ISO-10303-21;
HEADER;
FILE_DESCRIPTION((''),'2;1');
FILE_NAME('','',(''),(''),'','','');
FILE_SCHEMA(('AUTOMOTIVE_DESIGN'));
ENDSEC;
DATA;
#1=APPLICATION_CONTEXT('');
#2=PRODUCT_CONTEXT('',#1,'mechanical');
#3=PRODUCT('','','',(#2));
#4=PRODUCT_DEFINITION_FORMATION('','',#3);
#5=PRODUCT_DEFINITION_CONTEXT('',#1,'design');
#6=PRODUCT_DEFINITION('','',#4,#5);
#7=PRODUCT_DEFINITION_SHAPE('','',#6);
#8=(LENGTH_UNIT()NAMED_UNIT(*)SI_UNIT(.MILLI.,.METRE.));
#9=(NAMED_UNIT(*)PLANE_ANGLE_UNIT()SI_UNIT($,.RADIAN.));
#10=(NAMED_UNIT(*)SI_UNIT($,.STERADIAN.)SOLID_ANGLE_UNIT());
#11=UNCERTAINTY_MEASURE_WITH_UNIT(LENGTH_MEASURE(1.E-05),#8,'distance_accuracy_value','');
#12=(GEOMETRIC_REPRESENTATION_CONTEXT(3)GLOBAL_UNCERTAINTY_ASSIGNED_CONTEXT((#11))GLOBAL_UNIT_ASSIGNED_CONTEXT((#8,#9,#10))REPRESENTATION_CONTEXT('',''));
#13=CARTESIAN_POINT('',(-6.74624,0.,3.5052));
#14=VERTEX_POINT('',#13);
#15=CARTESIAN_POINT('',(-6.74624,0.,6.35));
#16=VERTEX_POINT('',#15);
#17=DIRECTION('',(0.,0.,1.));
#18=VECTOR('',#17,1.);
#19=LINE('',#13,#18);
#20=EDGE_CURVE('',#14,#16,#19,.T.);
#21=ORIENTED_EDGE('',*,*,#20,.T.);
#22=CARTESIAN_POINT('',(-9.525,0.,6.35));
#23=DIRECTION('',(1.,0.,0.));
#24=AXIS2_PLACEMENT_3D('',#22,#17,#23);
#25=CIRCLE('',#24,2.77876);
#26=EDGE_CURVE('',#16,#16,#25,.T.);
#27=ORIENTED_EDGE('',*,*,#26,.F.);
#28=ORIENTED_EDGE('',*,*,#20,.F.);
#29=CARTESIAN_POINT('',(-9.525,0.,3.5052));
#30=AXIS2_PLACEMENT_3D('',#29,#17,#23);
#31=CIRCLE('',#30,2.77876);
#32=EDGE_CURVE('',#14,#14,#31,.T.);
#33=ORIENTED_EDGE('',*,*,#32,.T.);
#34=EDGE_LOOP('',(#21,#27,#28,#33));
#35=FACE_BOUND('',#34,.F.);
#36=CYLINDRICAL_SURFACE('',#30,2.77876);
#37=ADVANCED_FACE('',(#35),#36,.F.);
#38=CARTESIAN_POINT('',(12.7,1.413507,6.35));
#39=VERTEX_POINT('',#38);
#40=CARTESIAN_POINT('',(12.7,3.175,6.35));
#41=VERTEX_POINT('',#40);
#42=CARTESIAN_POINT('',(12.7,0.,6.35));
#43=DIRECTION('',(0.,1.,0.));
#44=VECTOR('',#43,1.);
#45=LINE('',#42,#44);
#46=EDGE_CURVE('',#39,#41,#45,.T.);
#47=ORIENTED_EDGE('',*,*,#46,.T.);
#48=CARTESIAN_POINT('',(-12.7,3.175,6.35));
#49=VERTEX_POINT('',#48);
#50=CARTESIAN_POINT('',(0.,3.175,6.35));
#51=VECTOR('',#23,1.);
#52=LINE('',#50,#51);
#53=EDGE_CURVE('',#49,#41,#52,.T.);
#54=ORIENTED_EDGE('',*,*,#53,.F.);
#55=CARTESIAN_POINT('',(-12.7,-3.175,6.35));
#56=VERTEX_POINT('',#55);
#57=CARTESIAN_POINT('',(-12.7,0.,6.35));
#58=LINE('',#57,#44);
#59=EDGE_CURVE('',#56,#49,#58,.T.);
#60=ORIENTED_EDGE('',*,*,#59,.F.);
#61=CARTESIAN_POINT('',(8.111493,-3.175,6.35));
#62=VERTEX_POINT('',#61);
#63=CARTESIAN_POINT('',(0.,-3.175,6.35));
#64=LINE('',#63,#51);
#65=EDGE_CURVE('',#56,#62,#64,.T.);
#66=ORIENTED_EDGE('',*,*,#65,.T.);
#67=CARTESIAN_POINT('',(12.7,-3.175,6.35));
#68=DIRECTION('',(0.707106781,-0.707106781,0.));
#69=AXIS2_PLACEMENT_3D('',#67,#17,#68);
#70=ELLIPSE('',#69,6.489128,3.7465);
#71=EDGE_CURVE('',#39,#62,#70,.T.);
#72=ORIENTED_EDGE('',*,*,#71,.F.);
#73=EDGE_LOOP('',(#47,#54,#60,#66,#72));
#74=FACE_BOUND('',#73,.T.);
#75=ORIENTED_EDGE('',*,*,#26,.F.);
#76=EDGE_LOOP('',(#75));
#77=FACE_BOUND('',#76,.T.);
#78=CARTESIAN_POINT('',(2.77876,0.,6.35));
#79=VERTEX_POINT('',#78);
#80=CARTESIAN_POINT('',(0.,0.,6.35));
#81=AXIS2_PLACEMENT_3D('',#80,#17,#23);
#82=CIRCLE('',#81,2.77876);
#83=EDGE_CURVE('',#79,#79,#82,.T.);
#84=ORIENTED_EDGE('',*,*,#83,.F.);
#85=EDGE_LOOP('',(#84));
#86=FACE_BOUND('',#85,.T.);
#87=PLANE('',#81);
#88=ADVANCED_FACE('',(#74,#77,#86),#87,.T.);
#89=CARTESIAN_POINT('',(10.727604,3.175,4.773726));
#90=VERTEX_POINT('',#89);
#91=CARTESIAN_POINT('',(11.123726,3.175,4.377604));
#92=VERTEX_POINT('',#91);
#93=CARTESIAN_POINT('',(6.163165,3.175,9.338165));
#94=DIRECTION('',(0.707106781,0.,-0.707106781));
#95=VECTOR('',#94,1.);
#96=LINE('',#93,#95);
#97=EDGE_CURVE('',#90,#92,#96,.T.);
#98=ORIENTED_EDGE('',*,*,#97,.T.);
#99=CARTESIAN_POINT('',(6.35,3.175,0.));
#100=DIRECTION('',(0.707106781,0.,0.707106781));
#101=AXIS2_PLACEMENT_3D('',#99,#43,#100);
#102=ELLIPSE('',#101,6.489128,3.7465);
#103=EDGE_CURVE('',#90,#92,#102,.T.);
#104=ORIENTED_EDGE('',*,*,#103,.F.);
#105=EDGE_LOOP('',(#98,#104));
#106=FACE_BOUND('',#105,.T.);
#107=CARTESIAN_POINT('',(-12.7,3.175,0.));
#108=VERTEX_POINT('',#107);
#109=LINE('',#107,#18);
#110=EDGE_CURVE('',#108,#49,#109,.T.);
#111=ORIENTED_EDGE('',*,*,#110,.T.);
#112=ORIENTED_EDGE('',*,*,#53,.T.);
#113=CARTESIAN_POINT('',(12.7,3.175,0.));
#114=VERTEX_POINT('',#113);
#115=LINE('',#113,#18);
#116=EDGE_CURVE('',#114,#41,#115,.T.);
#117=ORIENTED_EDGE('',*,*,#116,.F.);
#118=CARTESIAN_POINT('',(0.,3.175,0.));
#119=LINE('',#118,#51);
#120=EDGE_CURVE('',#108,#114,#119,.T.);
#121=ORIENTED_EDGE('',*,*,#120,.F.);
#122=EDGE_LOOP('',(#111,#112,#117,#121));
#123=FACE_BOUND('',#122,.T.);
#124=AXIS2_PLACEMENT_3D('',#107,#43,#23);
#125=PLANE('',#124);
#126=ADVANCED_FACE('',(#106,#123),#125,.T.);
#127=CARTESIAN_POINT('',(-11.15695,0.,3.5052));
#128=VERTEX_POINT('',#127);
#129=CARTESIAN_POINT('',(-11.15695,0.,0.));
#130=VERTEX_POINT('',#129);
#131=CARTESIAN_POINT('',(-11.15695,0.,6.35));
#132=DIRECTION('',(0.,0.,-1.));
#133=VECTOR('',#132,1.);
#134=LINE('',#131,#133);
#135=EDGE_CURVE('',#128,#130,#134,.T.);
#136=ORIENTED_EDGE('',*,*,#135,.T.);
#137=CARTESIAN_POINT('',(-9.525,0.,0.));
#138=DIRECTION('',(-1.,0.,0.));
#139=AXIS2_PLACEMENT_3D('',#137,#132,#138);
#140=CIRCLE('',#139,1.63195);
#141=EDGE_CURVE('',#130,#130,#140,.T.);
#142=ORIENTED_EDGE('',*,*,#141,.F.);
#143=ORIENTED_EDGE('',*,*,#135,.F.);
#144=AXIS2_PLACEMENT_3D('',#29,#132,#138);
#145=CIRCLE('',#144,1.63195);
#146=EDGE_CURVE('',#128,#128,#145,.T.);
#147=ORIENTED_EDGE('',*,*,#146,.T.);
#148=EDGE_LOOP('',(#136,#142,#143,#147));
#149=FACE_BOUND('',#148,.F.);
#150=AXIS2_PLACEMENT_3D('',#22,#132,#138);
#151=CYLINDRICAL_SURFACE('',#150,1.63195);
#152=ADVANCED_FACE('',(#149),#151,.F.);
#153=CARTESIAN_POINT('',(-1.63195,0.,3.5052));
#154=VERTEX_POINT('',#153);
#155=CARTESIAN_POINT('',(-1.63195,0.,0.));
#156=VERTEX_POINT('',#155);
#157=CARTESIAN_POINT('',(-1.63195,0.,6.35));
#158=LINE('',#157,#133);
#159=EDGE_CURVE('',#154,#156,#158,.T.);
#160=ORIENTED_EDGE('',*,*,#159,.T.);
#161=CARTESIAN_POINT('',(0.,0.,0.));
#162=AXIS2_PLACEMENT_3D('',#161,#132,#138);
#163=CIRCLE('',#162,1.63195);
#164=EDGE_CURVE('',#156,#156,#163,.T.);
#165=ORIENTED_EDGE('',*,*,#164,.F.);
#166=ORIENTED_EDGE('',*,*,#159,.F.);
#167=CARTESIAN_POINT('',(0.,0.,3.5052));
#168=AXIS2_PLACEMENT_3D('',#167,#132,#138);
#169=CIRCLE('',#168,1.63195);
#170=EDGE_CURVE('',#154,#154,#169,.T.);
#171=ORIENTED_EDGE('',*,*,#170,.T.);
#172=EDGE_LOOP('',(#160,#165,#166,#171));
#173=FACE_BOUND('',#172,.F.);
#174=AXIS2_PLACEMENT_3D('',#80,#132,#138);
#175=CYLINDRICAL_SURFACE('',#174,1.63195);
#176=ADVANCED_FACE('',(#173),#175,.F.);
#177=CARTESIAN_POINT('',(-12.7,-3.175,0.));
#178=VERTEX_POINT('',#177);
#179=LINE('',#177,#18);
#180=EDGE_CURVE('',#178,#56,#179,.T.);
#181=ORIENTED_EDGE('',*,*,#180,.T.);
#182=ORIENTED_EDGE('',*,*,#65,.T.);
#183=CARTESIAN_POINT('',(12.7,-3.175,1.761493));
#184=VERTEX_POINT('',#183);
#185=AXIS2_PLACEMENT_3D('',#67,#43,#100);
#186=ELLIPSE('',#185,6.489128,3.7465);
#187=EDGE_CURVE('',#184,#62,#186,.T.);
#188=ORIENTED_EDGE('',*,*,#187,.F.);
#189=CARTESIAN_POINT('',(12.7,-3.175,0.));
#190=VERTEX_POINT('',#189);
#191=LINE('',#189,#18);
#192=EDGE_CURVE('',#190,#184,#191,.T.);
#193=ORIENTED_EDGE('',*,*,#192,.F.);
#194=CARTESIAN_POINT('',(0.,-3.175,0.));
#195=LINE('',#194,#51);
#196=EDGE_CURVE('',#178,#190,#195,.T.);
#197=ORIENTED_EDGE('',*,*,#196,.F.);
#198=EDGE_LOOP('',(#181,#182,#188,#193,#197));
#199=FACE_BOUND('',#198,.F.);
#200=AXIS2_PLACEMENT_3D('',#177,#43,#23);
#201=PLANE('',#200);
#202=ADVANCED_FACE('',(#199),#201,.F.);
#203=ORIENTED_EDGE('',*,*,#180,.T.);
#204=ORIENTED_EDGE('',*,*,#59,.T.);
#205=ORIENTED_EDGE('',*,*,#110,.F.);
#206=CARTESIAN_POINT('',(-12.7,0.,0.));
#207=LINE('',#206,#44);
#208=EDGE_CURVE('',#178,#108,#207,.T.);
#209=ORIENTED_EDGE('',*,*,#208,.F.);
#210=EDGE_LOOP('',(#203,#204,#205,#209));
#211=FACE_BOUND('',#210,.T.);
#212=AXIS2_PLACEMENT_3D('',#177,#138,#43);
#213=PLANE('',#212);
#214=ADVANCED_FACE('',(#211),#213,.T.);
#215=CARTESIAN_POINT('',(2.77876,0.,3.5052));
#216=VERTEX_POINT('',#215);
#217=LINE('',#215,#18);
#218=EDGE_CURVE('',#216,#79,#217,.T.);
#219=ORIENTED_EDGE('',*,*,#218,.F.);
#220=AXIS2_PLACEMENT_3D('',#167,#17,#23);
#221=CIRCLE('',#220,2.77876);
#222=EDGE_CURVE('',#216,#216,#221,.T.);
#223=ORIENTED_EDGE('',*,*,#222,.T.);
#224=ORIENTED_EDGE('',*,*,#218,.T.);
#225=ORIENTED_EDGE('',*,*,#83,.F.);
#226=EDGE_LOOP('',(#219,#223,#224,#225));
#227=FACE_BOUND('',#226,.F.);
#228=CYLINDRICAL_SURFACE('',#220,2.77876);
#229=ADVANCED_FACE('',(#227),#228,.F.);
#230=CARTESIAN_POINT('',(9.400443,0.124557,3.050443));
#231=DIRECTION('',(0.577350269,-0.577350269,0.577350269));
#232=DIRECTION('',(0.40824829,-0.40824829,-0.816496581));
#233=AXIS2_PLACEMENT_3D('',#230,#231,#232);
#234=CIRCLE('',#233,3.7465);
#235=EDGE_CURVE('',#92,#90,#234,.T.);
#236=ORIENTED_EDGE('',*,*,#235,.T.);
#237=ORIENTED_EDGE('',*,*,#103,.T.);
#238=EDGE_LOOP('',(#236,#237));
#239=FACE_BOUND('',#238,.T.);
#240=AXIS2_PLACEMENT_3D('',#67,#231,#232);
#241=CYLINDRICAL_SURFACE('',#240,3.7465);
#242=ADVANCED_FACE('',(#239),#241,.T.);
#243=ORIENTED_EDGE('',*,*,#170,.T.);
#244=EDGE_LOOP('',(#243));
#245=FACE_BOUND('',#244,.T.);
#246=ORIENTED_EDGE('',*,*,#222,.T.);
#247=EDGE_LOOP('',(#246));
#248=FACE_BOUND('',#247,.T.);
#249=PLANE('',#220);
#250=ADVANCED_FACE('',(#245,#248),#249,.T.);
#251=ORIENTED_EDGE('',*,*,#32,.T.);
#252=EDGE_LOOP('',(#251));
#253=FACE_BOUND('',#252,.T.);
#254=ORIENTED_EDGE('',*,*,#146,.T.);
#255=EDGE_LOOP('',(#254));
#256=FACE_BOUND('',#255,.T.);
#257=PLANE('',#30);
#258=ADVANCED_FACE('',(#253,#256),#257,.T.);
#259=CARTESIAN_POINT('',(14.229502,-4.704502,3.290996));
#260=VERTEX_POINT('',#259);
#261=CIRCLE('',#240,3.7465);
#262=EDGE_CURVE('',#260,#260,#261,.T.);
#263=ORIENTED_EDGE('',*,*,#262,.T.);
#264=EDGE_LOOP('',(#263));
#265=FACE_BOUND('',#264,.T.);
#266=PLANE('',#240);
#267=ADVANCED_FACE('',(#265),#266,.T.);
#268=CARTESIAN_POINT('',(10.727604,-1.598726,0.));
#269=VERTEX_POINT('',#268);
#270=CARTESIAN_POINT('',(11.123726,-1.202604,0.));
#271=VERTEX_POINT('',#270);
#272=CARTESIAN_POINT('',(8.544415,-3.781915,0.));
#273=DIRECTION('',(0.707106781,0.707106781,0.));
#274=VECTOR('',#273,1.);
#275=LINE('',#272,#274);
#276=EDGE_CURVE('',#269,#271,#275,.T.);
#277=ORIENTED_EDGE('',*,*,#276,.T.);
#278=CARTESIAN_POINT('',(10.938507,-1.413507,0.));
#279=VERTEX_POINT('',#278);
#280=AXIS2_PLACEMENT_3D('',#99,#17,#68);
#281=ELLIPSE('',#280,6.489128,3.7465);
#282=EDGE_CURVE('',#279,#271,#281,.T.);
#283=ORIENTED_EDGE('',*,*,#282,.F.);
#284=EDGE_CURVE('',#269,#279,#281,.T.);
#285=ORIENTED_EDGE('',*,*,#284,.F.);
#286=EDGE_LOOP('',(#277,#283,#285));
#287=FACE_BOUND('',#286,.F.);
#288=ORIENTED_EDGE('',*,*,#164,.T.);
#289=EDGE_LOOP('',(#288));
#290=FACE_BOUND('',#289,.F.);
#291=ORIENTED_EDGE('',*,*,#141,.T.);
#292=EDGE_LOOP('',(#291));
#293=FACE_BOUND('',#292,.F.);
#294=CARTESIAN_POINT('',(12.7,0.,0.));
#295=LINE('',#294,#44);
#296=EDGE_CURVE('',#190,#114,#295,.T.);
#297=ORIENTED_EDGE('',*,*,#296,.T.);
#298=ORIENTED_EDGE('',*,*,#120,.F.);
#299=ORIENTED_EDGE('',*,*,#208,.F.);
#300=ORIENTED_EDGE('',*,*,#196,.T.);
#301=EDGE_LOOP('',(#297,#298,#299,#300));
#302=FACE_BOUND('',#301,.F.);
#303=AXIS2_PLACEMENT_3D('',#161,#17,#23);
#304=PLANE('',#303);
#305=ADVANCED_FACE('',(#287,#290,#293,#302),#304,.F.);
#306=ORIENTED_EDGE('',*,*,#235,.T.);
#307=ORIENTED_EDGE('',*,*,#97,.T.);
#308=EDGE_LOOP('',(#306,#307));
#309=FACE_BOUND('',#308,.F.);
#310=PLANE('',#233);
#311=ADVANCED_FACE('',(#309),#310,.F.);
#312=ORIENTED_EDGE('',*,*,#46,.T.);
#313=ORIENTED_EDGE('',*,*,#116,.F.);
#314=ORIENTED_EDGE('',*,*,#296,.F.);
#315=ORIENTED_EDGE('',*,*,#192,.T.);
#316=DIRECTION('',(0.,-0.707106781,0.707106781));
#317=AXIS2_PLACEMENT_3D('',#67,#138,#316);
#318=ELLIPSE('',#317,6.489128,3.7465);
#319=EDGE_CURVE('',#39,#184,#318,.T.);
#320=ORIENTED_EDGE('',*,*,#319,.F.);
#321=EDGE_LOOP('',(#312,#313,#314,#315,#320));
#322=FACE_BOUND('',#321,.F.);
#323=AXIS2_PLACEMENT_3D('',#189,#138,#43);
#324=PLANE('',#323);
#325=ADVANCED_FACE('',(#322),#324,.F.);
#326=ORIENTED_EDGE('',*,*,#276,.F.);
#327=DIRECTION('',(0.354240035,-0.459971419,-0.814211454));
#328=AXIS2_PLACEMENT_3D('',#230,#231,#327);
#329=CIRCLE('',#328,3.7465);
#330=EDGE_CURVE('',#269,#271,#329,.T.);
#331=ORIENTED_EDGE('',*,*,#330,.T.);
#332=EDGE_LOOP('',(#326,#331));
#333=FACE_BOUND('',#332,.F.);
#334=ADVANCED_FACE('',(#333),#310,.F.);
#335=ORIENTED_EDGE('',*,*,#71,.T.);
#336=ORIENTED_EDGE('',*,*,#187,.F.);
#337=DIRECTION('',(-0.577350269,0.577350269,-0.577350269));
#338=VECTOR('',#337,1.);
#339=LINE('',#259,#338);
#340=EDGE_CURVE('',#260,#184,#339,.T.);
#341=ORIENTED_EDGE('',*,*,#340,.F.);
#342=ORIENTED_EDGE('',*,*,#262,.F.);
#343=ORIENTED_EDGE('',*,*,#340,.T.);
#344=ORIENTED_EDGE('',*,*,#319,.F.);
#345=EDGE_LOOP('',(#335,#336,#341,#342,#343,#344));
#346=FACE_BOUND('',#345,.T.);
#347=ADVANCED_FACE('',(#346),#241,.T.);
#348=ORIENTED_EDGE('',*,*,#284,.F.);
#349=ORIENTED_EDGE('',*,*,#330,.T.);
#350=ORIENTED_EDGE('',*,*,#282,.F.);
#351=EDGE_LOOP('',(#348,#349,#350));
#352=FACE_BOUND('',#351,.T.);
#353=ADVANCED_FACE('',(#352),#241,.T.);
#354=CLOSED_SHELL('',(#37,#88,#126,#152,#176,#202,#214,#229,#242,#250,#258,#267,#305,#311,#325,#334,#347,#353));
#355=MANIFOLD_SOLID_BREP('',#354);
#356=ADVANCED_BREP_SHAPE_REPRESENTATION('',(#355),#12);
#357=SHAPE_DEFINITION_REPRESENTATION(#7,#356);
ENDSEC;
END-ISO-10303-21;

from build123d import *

# Parameters (mm, degrees)
SKETCH1_W                                      = 25.4
SKETCH1_H                                      = 6.35
BOSS_EXTRUDE1_DEPTH                            = 6.35
CBORE_FOR_4_SOCKET_HEAD_CAP_SCREW1_D           = 3.2639
CBORE_FOR_4_SOCKET_HEAD_CAP_SCREW1_DEPTH       = 7.5946
CBORE_FOR_4_SOCKET_HEAD_CAP_SCREW1_CBORE_D     = 5.55752
CBORE_FOR_4_SOCKET_HEAD_CAP_SCREW1_CBORE_DEPTH = 2.8448
CBORE_FOR_4_SOCKET_HEAD_CAP_SCREW1_TIP         = 0.980574487
SKETCH4_R                                      = 3.7465
BOSS_EXTRUDE2_DEPTH                            = 5.715


with BuildPart() as part:
    # Sketch1 → Boss-Extrude1 (new body)
    with BuildSketch(Plane.XY):
        Rectangle(SKETCH1_W, SKETCH1_H)
    extrude(amount=BOSS_EXTRUDE1_DEPTH)

    # CBORE for _4 Socket Head Cap Screw1
    with Locations(Plane.XY.offset(6.35)):
        with Locations((-9.525, 0), (0, 0)):
            CounterBoreHole(CBORE_FOR_4_SOCKET_HEAD_CAP_SCREW1_D / 2, CBORE_FOR_4_SOCKET_HEAD_CAP_SCREW1_CBORE_D / 2, CBORE_FOR_4_SOCKET_HEAD_CAP_SCREW1_CBORE_DEPTH, depth=CBORE_FOR_4_SOCKET_HEAD_CAP_SCREW1_DEPTH)
            with Locations((0, 0, -(CBORE_FOR_4_SOCKET_HEAD_CAP_SCREW1_DEPTH + CBORE_FOR_4_SOCKET_HEAD_CAP_SCREW1_TIP / 2))):  # 118° drill point
                Cone(0, CBORE_FOR_4_SOCKET_HEAD_CAP_SCREW1_D / 2, CBORE_FOR_4_SOCKET_HEAD_CAP_SCREW1_TIP, mode=Mode.SUBTRACT)

    # Sketch4 → Boss-Extrude2 (add)
    with BuildSketch(Plane(origin=(12.7, -3.175, 6.35), x_dir=(0.40824829, -0.40824829, -0.816496581), z_dir=(0.577350269, -0.577350269, 0.577350269))):
        Circle(SKETCH4_R)
    extrude(amount=-BOSS_EXTRUDE2_DEPTH)


solid = part.part
